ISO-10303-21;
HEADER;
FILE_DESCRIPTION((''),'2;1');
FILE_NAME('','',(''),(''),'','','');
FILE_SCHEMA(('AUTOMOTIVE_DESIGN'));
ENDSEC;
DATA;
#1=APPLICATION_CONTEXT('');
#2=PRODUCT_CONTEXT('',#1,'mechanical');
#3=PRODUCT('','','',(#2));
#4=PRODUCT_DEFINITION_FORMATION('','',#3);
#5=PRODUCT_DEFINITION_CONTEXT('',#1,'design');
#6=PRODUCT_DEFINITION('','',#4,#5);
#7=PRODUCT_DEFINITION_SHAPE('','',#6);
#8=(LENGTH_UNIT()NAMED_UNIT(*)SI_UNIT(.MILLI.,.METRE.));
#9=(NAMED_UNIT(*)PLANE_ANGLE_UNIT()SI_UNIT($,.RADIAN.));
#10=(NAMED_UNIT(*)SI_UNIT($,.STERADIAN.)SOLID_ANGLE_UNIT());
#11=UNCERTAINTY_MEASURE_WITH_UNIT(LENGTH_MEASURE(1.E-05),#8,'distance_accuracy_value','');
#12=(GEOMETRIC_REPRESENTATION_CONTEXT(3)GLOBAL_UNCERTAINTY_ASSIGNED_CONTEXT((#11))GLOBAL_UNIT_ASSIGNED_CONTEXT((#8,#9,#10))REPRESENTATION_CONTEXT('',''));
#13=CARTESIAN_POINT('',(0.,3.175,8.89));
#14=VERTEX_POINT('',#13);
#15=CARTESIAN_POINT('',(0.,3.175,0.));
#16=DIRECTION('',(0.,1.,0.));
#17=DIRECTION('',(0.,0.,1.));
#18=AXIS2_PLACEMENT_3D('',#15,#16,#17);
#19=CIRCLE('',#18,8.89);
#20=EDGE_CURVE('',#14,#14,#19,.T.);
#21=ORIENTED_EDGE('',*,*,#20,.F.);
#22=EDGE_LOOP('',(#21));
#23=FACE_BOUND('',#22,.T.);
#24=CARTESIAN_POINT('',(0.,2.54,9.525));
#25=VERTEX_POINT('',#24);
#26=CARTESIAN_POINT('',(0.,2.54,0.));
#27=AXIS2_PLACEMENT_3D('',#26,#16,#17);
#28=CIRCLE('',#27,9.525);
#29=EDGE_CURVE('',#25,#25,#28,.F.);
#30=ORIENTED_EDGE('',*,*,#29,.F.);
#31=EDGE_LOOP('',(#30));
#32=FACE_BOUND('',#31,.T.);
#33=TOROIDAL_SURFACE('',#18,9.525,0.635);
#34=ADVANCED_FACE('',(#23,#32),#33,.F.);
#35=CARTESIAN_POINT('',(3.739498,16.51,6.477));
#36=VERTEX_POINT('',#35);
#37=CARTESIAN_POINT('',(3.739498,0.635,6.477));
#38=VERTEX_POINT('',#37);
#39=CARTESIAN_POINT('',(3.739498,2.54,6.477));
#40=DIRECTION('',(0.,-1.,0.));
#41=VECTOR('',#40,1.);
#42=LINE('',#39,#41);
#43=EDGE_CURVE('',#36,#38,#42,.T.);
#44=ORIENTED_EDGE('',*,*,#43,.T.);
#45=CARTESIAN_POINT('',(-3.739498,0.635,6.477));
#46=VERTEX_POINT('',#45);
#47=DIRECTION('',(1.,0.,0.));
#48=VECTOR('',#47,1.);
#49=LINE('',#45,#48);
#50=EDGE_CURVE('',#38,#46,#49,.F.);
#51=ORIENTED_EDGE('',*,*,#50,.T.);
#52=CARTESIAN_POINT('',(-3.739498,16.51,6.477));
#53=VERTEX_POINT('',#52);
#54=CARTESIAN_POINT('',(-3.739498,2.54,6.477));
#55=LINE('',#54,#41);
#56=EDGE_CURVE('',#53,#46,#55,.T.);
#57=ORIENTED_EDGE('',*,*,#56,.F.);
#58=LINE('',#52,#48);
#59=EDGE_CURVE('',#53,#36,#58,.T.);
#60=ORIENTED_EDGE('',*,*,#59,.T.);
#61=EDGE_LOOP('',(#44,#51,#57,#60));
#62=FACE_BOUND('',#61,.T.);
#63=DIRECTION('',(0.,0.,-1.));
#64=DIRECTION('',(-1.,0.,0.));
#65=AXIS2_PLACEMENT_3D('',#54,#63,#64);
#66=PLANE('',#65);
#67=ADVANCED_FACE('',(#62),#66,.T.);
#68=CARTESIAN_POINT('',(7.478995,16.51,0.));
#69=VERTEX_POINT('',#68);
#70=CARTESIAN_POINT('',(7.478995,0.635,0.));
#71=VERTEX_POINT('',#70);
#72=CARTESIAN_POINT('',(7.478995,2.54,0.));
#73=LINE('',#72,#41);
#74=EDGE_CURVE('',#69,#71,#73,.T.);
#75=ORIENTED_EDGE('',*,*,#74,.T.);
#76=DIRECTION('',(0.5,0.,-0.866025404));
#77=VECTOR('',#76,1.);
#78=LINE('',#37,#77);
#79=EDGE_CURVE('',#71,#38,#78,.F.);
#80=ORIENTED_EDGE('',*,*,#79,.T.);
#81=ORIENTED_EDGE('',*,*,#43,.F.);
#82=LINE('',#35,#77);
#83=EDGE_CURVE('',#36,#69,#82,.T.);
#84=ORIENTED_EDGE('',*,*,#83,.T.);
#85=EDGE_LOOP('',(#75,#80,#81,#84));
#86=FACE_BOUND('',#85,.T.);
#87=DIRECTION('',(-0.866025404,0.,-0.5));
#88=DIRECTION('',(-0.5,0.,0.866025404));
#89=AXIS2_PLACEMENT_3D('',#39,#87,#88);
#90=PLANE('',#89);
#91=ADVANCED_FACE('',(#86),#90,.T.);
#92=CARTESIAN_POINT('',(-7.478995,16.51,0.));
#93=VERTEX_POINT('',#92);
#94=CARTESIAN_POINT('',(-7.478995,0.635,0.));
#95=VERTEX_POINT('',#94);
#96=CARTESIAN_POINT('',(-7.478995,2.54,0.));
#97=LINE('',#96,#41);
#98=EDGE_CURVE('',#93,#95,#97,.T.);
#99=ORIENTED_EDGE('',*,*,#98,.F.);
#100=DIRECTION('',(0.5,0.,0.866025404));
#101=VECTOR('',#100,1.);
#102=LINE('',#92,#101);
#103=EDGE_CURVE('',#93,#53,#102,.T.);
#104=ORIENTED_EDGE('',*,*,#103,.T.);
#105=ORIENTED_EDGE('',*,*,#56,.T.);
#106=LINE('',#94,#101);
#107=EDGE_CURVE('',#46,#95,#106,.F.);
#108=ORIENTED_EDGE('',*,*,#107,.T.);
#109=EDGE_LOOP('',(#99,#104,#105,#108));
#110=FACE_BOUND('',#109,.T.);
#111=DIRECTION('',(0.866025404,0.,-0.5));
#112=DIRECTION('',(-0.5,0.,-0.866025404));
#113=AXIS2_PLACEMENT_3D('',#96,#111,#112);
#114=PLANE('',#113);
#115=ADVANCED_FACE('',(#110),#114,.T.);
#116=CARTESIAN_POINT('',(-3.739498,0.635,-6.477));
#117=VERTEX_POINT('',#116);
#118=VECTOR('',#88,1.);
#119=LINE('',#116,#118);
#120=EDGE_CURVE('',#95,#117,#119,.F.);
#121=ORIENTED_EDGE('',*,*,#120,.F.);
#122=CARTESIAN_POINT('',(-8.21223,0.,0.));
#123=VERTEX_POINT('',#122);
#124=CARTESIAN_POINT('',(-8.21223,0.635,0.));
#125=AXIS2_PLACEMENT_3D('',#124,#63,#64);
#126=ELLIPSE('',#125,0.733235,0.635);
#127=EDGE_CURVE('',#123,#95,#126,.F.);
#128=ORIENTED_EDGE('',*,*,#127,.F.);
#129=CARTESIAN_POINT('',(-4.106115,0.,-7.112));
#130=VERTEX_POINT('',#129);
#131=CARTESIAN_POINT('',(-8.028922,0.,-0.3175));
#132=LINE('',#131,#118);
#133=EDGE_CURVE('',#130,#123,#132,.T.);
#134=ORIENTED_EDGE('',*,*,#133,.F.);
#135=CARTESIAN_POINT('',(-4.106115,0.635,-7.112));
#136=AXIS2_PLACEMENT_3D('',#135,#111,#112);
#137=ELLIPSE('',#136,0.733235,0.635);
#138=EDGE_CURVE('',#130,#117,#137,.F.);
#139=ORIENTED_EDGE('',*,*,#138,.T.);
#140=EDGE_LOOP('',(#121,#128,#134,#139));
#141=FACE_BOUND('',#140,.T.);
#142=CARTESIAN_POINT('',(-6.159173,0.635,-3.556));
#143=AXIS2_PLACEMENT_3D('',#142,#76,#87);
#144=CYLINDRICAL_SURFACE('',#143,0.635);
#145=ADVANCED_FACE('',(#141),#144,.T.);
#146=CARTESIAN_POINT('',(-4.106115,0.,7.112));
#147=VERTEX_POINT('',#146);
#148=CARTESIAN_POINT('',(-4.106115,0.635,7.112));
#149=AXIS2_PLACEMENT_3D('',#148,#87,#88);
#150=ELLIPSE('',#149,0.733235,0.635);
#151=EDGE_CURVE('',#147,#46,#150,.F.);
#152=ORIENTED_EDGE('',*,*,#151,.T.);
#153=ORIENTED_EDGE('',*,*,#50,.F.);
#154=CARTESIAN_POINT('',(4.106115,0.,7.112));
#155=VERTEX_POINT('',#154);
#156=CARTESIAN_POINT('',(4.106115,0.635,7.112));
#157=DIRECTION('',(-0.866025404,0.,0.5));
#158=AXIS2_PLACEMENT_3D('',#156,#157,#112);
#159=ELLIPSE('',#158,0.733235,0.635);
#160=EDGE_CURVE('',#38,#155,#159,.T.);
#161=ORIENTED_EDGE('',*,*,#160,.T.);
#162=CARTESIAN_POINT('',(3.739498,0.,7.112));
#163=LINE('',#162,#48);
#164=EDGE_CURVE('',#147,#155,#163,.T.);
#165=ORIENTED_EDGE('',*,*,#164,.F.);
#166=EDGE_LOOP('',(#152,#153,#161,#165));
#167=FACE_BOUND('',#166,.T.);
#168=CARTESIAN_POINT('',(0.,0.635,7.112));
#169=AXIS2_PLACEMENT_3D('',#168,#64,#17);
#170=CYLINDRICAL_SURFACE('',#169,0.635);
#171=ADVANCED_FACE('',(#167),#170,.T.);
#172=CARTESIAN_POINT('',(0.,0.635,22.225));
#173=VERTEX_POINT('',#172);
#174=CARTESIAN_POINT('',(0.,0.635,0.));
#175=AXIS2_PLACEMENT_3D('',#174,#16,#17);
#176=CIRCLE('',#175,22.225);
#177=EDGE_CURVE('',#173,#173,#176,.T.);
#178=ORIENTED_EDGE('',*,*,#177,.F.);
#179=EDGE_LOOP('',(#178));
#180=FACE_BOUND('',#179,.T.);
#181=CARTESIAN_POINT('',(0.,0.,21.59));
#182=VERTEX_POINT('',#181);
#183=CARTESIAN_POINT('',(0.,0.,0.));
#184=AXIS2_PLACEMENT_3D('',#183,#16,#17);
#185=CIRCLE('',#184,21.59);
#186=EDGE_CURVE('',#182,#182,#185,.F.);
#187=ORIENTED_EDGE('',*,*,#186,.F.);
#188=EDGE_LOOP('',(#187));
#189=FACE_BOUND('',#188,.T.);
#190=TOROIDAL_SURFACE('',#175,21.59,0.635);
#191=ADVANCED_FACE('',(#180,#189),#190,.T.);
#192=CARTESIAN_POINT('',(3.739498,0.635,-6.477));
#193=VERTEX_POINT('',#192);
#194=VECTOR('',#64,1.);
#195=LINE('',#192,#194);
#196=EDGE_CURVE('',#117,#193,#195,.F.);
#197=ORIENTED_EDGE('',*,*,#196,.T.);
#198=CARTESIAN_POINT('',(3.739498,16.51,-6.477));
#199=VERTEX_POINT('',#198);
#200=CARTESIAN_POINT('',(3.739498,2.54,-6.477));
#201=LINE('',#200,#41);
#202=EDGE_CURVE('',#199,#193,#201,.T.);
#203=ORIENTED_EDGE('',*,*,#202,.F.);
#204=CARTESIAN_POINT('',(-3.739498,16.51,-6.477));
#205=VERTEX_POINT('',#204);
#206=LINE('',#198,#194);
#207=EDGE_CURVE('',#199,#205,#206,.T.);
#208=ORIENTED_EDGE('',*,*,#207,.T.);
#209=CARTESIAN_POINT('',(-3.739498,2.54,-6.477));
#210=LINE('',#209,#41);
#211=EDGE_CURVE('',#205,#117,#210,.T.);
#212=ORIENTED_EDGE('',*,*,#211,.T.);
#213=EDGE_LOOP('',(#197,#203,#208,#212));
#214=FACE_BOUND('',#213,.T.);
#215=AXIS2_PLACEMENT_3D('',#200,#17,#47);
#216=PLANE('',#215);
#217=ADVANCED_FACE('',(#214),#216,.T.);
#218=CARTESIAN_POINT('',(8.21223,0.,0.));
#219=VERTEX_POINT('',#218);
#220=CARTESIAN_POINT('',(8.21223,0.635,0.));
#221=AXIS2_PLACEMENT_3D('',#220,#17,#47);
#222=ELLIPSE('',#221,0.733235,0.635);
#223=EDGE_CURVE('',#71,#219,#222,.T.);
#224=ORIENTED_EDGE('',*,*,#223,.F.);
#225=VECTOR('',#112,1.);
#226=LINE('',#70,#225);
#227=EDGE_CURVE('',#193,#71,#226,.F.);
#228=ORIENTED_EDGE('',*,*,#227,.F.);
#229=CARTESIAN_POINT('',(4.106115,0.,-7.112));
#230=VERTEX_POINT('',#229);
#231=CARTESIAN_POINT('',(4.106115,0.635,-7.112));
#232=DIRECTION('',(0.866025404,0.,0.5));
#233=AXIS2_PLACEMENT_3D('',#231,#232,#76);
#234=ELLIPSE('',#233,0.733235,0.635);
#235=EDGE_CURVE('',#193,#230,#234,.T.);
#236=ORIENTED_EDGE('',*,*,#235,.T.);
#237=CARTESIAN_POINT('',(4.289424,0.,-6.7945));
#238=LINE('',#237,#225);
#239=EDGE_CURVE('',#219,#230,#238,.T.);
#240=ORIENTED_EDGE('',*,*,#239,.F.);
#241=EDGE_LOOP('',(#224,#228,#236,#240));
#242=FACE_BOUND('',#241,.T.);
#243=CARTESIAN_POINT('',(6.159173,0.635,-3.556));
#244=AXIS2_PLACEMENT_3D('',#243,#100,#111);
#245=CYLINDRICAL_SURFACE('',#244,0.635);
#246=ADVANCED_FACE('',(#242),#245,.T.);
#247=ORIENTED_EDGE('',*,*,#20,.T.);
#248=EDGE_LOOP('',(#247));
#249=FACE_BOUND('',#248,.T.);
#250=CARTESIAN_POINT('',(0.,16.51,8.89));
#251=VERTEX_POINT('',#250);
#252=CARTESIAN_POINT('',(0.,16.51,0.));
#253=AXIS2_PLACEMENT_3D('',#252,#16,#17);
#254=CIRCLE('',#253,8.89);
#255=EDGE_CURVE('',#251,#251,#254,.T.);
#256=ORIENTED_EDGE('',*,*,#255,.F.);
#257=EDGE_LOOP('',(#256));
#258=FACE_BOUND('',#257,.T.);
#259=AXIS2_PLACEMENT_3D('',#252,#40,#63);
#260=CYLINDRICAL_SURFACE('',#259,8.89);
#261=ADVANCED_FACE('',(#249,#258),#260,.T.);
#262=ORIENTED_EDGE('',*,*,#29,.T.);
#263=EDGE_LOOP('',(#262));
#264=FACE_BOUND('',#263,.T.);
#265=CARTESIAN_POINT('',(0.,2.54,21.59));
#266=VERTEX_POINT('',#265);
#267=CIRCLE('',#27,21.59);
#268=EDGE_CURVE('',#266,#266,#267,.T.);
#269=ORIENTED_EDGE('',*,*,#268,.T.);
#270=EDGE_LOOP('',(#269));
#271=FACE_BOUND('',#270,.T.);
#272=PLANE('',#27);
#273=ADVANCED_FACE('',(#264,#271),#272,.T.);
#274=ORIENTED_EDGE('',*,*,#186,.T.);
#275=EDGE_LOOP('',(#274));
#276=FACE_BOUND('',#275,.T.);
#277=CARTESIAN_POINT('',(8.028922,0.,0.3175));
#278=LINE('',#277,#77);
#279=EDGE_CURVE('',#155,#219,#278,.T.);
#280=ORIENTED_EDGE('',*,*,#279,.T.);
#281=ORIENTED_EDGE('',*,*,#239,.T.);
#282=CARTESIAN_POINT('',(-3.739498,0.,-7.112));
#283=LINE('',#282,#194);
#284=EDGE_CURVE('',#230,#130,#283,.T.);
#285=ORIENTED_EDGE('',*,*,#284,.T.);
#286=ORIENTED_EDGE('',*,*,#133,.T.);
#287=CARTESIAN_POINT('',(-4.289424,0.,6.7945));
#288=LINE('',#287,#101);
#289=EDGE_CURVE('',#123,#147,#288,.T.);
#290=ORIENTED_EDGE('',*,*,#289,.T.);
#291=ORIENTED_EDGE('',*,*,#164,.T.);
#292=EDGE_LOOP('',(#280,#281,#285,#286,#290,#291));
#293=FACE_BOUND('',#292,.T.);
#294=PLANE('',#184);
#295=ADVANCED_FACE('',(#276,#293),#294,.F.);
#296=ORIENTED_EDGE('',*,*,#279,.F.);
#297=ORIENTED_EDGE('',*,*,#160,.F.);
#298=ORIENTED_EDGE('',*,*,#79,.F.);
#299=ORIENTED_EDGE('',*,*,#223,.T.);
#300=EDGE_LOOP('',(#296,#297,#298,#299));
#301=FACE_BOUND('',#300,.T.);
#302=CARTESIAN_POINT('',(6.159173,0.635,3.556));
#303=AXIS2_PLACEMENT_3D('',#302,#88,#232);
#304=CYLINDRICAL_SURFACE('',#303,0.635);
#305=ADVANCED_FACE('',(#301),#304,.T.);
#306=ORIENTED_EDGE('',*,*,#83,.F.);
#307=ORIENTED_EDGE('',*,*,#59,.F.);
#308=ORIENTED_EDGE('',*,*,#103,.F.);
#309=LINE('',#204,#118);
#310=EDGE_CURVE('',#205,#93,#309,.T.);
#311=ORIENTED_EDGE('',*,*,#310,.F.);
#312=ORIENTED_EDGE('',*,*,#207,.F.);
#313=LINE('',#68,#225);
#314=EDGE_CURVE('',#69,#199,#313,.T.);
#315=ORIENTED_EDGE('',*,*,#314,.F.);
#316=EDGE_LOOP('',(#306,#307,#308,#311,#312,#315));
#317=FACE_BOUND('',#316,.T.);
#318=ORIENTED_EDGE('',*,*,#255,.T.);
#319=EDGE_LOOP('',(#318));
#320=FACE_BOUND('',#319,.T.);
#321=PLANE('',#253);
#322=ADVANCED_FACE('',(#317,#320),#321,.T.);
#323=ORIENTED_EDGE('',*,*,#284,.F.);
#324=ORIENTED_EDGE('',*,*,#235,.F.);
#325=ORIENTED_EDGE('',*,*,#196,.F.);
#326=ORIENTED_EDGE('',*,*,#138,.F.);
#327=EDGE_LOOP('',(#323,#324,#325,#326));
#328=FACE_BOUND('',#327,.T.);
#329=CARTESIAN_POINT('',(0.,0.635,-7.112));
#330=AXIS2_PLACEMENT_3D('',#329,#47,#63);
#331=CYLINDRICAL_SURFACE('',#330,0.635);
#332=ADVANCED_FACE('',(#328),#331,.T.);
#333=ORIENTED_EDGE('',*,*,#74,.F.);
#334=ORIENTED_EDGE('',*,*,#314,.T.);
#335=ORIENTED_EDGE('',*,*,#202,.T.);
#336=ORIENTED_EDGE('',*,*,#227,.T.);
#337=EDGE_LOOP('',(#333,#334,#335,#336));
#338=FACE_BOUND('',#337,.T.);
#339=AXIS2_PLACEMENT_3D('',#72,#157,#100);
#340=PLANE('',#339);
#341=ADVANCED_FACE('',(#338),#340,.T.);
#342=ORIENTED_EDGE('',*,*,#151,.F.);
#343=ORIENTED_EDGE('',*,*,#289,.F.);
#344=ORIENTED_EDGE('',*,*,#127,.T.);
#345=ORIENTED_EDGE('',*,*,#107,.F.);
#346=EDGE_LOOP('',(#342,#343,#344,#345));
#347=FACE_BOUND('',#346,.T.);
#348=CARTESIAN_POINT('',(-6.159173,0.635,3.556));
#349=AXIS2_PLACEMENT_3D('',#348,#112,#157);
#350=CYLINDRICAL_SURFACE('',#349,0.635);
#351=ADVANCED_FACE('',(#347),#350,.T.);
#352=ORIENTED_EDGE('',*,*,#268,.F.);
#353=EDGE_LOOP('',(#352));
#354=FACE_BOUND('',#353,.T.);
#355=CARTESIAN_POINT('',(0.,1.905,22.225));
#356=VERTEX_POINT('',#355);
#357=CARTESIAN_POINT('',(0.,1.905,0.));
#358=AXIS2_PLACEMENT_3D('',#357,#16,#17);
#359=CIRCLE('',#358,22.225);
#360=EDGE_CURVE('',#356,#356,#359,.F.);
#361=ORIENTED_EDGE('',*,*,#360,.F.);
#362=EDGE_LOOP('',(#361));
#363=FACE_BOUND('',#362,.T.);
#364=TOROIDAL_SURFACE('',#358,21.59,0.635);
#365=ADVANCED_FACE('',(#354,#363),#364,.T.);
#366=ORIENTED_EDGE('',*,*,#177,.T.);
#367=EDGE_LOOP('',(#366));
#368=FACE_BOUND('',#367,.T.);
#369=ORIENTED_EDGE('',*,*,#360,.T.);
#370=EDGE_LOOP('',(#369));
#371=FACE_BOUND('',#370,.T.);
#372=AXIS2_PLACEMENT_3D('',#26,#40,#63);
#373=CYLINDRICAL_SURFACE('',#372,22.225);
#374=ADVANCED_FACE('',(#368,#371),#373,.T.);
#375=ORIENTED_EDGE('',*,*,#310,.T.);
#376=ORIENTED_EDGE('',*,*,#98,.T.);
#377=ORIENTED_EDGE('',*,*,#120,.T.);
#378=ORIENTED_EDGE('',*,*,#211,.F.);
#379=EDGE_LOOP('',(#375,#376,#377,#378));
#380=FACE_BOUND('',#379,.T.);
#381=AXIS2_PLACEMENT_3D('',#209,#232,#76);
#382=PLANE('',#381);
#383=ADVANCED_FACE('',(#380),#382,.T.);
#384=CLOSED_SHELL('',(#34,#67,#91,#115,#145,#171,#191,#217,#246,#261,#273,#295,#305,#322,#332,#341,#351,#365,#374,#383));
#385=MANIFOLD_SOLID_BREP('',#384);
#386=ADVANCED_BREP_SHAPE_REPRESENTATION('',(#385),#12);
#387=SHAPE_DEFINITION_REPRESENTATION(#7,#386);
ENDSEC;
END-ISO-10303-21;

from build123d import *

# Parameters (mm, degrees)
SKETCH1_R           = 22.225
BOSS_EXTRUDE1_DEPTH = 2.54
SKETCH2_R           = 8.89
BOSS_EXTRUDE2_DEPTH = 13.97
FILLET1_R           = 0.635


with BuildPart() as part:
    # Sketch1 → Boss-Extrude1 (new body)
    with BuildSketch(Plane(origin=(0, 0, 0), x_dir=(1, 0, 0), z_dir=(0, 1, 0))):
        with Locations(Location((0, 0, 0), (0, 0, 270))):
            Circle(SKETCH1_R)
        Polygon((7.478995387, 0), (3.739497694, 6.477), (-3.739497694, 6.477), (-7.478995387, 0), (-3.739497694, -6.477), (3.739497694, -6.477), align=None, mode=Mode.SUBTRACT)
    extrude(amount=BOSS_EXTRUDE1_DEPTH)

    # Sketch2 → Boss-Extrude2 (add)
    with BuildSketch(Plane(origin=(0, 2.54, 0), x_dir=(1, 0, 0), z_dir=(0, 1, 0))):
        with Locations(Location((0, 0, 0), (0, 0, 270))):
            Circle(SKETCH2_R)
        Polygon((3.739497694, 6.477), (-3.739497694, 6.477), (-7.478995387, 0), (-3.739497694, -6.477), (3.739497694, -6.477), (7.478995387, 0), align=None, mode=Mode.SUBTRACT)
    extrude(amount=BOSS_EXTRUDE2_DEPTH)

    # Fillet1
    fillet1_edges = [part.edges().sort_by_distance(p)[0] for p in [
        (0, 0, -6.477),
        (-5.60924654, 0, -3.2385),
        (-5.60924654, 0, 3.2385),
        (0, 0, 6.477),
        (0, 0, -22.225),
        (0, 2.54, -8.89),
        (0, 2.54, -22.225),
        (5.60924654, 0, 3.2385),
        (5.60924654, 0, -3.2385),
    ]]
    fillet(fillet1_edges, radius=FILLET1_R)


solid = part.part
